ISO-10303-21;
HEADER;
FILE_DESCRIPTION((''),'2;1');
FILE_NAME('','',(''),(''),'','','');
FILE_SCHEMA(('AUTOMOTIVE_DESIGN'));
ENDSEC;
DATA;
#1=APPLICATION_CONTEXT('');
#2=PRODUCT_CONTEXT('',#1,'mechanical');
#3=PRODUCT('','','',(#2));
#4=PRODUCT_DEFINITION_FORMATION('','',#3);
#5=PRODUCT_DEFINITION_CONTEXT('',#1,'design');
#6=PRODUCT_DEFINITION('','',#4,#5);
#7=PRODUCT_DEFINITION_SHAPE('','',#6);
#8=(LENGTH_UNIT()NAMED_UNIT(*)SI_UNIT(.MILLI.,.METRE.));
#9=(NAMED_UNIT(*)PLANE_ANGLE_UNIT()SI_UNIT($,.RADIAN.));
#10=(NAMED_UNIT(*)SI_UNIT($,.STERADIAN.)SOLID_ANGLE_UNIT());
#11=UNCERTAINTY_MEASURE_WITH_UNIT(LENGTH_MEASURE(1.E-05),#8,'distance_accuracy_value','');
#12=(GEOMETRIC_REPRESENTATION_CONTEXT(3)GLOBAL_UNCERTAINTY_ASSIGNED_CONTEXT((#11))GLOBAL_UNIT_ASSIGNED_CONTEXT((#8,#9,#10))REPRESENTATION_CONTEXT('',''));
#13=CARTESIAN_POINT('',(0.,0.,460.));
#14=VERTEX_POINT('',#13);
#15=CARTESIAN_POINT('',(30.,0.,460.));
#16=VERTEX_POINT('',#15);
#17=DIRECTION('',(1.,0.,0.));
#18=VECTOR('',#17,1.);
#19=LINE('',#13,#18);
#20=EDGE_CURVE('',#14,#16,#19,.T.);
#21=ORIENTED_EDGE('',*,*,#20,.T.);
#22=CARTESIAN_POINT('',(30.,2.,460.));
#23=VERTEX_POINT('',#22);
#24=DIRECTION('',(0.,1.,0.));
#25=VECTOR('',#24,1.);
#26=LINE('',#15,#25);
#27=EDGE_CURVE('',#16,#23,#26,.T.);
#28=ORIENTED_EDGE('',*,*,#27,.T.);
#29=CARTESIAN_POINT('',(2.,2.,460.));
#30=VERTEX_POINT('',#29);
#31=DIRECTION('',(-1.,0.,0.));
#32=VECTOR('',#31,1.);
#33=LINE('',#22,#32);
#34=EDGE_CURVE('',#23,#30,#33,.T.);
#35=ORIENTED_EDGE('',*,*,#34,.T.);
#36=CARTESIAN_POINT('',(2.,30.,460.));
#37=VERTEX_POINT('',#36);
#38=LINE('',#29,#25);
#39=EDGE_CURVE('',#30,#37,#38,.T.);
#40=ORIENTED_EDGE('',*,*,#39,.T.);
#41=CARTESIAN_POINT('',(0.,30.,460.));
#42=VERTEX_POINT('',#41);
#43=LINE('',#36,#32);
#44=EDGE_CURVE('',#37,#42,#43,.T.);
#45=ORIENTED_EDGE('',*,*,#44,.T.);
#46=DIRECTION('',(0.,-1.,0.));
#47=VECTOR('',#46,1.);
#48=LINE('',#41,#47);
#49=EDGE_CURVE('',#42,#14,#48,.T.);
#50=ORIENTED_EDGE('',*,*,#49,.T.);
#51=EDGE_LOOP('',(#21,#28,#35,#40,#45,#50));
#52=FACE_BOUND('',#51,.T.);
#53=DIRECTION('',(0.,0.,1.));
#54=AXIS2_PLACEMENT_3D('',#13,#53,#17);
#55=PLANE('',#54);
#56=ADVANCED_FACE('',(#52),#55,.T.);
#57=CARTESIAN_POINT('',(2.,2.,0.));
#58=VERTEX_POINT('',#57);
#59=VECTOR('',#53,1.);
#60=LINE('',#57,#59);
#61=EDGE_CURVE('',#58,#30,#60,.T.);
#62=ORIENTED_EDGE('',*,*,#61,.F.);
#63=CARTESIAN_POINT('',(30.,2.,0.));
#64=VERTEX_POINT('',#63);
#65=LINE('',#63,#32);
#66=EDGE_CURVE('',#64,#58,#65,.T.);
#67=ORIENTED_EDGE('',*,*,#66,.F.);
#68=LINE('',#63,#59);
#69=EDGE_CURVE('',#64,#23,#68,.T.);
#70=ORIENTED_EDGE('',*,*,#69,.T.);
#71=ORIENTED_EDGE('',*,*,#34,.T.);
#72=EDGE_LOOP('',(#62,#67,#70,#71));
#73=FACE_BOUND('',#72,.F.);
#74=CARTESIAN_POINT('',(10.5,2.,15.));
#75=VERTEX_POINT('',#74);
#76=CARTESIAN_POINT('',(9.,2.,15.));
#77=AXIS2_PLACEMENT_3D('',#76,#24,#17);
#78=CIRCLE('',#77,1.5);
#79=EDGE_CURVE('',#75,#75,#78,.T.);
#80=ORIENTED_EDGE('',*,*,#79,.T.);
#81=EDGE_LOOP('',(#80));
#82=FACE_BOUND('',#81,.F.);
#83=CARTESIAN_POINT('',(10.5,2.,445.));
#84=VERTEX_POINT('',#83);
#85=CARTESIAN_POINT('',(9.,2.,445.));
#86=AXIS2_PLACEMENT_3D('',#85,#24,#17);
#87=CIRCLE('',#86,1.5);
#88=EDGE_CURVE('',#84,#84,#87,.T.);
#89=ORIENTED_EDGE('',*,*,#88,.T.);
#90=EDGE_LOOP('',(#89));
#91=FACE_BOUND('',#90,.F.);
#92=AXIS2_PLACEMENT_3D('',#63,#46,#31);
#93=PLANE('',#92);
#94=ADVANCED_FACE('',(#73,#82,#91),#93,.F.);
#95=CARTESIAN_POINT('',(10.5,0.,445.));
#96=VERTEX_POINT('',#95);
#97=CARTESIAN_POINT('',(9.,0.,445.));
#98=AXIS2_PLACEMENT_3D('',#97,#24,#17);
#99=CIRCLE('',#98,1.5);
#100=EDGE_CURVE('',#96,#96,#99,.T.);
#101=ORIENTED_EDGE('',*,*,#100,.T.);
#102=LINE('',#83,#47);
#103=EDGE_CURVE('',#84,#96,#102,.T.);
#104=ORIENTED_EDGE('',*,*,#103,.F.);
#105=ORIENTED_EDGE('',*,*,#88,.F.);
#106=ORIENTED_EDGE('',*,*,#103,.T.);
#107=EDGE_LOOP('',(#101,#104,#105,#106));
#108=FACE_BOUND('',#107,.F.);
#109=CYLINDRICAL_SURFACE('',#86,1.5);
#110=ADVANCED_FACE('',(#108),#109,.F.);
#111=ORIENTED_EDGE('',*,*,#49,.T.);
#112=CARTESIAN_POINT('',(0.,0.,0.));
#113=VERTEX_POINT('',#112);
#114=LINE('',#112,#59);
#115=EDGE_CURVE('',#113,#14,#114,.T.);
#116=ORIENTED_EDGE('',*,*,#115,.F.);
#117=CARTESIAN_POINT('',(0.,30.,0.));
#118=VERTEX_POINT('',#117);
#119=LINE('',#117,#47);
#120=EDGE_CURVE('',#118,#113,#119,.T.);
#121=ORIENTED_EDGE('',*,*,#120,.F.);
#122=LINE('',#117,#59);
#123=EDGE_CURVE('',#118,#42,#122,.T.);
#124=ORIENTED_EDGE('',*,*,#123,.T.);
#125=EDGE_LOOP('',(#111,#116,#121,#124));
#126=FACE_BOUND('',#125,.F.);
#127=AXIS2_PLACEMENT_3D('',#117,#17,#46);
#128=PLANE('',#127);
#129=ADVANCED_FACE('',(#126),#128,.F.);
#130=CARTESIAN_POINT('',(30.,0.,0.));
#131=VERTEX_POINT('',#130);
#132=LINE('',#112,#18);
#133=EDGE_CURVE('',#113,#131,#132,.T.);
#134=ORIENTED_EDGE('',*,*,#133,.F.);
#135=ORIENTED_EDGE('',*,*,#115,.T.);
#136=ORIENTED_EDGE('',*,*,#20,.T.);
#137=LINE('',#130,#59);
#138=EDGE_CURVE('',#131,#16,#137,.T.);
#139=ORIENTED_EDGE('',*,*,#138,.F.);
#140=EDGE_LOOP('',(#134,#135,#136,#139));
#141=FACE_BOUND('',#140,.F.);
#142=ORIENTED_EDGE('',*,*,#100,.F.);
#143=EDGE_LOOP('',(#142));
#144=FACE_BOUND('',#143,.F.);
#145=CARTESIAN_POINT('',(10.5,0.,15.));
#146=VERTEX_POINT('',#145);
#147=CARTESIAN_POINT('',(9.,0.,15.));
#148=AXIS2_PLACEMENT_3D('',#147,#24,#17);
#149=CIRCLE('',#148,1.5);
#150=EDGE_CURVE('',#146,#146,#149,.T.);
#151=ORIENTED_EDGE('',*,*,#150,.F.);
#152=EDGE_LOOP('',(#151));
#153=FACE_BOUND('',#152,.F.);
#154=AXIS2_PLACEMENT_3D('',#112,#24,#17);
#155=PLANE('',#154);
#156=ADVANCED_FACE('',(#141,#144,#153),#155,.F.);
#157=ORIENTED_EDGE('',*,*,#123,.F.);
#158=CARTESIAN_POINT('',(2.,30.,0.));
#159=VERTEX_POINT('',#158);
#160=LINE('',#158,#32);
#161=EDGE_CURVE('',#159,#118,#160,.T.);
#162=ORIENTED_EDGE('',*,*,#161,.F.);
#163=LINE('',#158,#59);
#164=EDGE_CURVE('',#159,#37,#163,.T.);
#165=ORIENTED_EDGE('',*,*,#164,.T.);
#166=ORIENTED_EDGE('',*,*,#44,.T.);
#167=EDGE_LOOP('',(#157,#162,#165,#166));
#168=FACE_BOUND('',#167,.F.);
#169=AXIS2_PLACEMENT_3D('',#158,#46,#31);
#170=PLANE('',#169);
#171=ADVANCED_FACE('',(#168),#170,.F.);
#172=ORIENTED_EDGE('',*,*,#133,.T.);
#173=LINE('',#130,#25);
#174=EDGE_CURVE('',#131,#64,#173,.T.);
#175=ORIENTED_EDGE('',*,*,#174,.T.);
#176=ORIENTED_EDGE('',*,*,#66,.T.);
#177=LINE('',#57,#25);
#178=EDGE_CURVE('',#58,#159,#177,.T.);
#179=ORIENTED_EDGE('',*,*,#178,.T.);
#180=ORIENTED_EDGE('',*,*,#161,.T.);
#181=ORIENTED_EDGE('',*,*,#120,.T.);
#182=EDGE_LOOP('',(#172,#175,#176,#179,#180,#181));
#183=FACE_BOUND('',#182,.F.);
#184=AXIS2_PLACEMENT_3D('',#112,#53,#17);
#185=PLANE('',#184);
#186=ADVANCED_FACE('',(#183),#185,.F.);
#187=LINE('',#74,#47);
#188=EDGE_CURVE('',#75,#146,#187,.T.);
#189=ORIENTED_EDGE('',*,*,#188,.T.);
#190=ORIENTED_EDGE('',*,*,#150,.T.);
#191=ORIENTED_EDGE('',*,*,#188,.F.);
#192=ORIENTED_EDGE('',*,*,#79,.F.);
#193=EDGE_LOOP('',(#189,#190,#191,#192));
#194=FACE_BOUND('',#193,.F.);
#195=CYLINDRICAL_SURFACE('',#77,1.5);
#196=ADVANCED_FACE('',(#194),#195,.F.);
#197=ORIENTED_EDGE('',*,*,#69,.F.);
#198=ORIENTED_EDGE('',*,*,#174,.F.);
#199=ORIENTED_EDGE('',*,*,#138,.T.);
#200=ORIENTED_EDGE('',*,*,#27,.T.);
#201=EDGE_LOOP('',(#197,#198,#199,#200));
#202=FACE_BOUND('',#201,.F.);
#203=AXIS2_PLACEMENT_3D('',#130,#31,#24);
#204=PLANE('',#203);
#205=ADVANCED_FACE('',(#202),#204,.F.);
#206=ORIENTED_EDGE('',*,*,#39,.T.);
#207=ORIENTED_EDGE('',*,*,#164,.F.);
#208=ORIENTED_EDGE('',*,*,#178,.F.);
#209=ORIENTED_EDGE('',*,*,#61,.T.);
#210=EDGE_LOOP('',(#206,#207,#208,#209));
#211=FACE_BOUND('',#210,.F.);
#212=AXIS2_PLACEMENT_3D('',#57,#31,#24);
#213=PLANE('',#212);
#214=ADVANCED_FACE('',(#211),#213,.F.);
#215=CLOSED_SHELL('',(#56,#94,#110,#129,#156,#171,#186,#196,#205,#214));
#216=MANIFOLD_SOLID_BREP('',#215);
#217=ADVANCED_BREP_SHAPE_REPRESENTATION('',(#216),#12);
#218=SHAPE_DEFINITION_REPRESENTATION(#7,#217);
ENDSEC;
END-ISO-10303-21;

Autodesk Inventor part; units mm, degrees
ref_plane "YZ Plane" through (0, 0, 0) normal (1, 0, 0) x (0, 1, 0)
ref_plane "XZ Plane" through (0, 0, 0) normal (0, 1, 0) x (-1, 0, 0)
ref_plane "XY Plane" through (0, 0, 0) normal (0, 0, 1) x (1, 0, 0)
sketch "Náčrt1" plane through (0, 0, 0) normal (0, 0, 1) x (1, 0, 0)
  line L0 (0, 0) -> (30, 0)
  line L1 (30, 0) -> (30, 2)
  line L2 (30, 2) -> (2, 2)
  line L3 (2, 2) -> (2, 30)
  line L4 (2, 30) -> (0, 30)
  line L5 (0, 30) -> (0, 0)
  dimension "d11" = 30
  dimension "d12" = 30
  dimension "d13" = 2
  dimension "d14" = 2
extrude "Vysunutí1" add sketch "Náčrt1" along normal blind 460
sketch "Náčrt2" plane through (2, 2, 0) normal (0, 1, 0) x (1, 0, 0)
  line L0 (0, 0) -> (0, -460) projected
  line L1 (28, -460) -> (0, -460) projected
  circle A0 centre (7, -445) radius 1.5
  line L2 (28, 0) -> (28, -460) projected
  line L3 (28, -230) -> (0, -230)
  circle A1 centre (7, -15) radius 1.5
  point P0 (-2, 0)
  dimension "d7" = 15
  dimension "d8" = 3
extrude "Vysunutí2" cut sketch "Náčrt2" against normal up to next contours A0 | A1
properties part number "Profile-L-30x30x2"
